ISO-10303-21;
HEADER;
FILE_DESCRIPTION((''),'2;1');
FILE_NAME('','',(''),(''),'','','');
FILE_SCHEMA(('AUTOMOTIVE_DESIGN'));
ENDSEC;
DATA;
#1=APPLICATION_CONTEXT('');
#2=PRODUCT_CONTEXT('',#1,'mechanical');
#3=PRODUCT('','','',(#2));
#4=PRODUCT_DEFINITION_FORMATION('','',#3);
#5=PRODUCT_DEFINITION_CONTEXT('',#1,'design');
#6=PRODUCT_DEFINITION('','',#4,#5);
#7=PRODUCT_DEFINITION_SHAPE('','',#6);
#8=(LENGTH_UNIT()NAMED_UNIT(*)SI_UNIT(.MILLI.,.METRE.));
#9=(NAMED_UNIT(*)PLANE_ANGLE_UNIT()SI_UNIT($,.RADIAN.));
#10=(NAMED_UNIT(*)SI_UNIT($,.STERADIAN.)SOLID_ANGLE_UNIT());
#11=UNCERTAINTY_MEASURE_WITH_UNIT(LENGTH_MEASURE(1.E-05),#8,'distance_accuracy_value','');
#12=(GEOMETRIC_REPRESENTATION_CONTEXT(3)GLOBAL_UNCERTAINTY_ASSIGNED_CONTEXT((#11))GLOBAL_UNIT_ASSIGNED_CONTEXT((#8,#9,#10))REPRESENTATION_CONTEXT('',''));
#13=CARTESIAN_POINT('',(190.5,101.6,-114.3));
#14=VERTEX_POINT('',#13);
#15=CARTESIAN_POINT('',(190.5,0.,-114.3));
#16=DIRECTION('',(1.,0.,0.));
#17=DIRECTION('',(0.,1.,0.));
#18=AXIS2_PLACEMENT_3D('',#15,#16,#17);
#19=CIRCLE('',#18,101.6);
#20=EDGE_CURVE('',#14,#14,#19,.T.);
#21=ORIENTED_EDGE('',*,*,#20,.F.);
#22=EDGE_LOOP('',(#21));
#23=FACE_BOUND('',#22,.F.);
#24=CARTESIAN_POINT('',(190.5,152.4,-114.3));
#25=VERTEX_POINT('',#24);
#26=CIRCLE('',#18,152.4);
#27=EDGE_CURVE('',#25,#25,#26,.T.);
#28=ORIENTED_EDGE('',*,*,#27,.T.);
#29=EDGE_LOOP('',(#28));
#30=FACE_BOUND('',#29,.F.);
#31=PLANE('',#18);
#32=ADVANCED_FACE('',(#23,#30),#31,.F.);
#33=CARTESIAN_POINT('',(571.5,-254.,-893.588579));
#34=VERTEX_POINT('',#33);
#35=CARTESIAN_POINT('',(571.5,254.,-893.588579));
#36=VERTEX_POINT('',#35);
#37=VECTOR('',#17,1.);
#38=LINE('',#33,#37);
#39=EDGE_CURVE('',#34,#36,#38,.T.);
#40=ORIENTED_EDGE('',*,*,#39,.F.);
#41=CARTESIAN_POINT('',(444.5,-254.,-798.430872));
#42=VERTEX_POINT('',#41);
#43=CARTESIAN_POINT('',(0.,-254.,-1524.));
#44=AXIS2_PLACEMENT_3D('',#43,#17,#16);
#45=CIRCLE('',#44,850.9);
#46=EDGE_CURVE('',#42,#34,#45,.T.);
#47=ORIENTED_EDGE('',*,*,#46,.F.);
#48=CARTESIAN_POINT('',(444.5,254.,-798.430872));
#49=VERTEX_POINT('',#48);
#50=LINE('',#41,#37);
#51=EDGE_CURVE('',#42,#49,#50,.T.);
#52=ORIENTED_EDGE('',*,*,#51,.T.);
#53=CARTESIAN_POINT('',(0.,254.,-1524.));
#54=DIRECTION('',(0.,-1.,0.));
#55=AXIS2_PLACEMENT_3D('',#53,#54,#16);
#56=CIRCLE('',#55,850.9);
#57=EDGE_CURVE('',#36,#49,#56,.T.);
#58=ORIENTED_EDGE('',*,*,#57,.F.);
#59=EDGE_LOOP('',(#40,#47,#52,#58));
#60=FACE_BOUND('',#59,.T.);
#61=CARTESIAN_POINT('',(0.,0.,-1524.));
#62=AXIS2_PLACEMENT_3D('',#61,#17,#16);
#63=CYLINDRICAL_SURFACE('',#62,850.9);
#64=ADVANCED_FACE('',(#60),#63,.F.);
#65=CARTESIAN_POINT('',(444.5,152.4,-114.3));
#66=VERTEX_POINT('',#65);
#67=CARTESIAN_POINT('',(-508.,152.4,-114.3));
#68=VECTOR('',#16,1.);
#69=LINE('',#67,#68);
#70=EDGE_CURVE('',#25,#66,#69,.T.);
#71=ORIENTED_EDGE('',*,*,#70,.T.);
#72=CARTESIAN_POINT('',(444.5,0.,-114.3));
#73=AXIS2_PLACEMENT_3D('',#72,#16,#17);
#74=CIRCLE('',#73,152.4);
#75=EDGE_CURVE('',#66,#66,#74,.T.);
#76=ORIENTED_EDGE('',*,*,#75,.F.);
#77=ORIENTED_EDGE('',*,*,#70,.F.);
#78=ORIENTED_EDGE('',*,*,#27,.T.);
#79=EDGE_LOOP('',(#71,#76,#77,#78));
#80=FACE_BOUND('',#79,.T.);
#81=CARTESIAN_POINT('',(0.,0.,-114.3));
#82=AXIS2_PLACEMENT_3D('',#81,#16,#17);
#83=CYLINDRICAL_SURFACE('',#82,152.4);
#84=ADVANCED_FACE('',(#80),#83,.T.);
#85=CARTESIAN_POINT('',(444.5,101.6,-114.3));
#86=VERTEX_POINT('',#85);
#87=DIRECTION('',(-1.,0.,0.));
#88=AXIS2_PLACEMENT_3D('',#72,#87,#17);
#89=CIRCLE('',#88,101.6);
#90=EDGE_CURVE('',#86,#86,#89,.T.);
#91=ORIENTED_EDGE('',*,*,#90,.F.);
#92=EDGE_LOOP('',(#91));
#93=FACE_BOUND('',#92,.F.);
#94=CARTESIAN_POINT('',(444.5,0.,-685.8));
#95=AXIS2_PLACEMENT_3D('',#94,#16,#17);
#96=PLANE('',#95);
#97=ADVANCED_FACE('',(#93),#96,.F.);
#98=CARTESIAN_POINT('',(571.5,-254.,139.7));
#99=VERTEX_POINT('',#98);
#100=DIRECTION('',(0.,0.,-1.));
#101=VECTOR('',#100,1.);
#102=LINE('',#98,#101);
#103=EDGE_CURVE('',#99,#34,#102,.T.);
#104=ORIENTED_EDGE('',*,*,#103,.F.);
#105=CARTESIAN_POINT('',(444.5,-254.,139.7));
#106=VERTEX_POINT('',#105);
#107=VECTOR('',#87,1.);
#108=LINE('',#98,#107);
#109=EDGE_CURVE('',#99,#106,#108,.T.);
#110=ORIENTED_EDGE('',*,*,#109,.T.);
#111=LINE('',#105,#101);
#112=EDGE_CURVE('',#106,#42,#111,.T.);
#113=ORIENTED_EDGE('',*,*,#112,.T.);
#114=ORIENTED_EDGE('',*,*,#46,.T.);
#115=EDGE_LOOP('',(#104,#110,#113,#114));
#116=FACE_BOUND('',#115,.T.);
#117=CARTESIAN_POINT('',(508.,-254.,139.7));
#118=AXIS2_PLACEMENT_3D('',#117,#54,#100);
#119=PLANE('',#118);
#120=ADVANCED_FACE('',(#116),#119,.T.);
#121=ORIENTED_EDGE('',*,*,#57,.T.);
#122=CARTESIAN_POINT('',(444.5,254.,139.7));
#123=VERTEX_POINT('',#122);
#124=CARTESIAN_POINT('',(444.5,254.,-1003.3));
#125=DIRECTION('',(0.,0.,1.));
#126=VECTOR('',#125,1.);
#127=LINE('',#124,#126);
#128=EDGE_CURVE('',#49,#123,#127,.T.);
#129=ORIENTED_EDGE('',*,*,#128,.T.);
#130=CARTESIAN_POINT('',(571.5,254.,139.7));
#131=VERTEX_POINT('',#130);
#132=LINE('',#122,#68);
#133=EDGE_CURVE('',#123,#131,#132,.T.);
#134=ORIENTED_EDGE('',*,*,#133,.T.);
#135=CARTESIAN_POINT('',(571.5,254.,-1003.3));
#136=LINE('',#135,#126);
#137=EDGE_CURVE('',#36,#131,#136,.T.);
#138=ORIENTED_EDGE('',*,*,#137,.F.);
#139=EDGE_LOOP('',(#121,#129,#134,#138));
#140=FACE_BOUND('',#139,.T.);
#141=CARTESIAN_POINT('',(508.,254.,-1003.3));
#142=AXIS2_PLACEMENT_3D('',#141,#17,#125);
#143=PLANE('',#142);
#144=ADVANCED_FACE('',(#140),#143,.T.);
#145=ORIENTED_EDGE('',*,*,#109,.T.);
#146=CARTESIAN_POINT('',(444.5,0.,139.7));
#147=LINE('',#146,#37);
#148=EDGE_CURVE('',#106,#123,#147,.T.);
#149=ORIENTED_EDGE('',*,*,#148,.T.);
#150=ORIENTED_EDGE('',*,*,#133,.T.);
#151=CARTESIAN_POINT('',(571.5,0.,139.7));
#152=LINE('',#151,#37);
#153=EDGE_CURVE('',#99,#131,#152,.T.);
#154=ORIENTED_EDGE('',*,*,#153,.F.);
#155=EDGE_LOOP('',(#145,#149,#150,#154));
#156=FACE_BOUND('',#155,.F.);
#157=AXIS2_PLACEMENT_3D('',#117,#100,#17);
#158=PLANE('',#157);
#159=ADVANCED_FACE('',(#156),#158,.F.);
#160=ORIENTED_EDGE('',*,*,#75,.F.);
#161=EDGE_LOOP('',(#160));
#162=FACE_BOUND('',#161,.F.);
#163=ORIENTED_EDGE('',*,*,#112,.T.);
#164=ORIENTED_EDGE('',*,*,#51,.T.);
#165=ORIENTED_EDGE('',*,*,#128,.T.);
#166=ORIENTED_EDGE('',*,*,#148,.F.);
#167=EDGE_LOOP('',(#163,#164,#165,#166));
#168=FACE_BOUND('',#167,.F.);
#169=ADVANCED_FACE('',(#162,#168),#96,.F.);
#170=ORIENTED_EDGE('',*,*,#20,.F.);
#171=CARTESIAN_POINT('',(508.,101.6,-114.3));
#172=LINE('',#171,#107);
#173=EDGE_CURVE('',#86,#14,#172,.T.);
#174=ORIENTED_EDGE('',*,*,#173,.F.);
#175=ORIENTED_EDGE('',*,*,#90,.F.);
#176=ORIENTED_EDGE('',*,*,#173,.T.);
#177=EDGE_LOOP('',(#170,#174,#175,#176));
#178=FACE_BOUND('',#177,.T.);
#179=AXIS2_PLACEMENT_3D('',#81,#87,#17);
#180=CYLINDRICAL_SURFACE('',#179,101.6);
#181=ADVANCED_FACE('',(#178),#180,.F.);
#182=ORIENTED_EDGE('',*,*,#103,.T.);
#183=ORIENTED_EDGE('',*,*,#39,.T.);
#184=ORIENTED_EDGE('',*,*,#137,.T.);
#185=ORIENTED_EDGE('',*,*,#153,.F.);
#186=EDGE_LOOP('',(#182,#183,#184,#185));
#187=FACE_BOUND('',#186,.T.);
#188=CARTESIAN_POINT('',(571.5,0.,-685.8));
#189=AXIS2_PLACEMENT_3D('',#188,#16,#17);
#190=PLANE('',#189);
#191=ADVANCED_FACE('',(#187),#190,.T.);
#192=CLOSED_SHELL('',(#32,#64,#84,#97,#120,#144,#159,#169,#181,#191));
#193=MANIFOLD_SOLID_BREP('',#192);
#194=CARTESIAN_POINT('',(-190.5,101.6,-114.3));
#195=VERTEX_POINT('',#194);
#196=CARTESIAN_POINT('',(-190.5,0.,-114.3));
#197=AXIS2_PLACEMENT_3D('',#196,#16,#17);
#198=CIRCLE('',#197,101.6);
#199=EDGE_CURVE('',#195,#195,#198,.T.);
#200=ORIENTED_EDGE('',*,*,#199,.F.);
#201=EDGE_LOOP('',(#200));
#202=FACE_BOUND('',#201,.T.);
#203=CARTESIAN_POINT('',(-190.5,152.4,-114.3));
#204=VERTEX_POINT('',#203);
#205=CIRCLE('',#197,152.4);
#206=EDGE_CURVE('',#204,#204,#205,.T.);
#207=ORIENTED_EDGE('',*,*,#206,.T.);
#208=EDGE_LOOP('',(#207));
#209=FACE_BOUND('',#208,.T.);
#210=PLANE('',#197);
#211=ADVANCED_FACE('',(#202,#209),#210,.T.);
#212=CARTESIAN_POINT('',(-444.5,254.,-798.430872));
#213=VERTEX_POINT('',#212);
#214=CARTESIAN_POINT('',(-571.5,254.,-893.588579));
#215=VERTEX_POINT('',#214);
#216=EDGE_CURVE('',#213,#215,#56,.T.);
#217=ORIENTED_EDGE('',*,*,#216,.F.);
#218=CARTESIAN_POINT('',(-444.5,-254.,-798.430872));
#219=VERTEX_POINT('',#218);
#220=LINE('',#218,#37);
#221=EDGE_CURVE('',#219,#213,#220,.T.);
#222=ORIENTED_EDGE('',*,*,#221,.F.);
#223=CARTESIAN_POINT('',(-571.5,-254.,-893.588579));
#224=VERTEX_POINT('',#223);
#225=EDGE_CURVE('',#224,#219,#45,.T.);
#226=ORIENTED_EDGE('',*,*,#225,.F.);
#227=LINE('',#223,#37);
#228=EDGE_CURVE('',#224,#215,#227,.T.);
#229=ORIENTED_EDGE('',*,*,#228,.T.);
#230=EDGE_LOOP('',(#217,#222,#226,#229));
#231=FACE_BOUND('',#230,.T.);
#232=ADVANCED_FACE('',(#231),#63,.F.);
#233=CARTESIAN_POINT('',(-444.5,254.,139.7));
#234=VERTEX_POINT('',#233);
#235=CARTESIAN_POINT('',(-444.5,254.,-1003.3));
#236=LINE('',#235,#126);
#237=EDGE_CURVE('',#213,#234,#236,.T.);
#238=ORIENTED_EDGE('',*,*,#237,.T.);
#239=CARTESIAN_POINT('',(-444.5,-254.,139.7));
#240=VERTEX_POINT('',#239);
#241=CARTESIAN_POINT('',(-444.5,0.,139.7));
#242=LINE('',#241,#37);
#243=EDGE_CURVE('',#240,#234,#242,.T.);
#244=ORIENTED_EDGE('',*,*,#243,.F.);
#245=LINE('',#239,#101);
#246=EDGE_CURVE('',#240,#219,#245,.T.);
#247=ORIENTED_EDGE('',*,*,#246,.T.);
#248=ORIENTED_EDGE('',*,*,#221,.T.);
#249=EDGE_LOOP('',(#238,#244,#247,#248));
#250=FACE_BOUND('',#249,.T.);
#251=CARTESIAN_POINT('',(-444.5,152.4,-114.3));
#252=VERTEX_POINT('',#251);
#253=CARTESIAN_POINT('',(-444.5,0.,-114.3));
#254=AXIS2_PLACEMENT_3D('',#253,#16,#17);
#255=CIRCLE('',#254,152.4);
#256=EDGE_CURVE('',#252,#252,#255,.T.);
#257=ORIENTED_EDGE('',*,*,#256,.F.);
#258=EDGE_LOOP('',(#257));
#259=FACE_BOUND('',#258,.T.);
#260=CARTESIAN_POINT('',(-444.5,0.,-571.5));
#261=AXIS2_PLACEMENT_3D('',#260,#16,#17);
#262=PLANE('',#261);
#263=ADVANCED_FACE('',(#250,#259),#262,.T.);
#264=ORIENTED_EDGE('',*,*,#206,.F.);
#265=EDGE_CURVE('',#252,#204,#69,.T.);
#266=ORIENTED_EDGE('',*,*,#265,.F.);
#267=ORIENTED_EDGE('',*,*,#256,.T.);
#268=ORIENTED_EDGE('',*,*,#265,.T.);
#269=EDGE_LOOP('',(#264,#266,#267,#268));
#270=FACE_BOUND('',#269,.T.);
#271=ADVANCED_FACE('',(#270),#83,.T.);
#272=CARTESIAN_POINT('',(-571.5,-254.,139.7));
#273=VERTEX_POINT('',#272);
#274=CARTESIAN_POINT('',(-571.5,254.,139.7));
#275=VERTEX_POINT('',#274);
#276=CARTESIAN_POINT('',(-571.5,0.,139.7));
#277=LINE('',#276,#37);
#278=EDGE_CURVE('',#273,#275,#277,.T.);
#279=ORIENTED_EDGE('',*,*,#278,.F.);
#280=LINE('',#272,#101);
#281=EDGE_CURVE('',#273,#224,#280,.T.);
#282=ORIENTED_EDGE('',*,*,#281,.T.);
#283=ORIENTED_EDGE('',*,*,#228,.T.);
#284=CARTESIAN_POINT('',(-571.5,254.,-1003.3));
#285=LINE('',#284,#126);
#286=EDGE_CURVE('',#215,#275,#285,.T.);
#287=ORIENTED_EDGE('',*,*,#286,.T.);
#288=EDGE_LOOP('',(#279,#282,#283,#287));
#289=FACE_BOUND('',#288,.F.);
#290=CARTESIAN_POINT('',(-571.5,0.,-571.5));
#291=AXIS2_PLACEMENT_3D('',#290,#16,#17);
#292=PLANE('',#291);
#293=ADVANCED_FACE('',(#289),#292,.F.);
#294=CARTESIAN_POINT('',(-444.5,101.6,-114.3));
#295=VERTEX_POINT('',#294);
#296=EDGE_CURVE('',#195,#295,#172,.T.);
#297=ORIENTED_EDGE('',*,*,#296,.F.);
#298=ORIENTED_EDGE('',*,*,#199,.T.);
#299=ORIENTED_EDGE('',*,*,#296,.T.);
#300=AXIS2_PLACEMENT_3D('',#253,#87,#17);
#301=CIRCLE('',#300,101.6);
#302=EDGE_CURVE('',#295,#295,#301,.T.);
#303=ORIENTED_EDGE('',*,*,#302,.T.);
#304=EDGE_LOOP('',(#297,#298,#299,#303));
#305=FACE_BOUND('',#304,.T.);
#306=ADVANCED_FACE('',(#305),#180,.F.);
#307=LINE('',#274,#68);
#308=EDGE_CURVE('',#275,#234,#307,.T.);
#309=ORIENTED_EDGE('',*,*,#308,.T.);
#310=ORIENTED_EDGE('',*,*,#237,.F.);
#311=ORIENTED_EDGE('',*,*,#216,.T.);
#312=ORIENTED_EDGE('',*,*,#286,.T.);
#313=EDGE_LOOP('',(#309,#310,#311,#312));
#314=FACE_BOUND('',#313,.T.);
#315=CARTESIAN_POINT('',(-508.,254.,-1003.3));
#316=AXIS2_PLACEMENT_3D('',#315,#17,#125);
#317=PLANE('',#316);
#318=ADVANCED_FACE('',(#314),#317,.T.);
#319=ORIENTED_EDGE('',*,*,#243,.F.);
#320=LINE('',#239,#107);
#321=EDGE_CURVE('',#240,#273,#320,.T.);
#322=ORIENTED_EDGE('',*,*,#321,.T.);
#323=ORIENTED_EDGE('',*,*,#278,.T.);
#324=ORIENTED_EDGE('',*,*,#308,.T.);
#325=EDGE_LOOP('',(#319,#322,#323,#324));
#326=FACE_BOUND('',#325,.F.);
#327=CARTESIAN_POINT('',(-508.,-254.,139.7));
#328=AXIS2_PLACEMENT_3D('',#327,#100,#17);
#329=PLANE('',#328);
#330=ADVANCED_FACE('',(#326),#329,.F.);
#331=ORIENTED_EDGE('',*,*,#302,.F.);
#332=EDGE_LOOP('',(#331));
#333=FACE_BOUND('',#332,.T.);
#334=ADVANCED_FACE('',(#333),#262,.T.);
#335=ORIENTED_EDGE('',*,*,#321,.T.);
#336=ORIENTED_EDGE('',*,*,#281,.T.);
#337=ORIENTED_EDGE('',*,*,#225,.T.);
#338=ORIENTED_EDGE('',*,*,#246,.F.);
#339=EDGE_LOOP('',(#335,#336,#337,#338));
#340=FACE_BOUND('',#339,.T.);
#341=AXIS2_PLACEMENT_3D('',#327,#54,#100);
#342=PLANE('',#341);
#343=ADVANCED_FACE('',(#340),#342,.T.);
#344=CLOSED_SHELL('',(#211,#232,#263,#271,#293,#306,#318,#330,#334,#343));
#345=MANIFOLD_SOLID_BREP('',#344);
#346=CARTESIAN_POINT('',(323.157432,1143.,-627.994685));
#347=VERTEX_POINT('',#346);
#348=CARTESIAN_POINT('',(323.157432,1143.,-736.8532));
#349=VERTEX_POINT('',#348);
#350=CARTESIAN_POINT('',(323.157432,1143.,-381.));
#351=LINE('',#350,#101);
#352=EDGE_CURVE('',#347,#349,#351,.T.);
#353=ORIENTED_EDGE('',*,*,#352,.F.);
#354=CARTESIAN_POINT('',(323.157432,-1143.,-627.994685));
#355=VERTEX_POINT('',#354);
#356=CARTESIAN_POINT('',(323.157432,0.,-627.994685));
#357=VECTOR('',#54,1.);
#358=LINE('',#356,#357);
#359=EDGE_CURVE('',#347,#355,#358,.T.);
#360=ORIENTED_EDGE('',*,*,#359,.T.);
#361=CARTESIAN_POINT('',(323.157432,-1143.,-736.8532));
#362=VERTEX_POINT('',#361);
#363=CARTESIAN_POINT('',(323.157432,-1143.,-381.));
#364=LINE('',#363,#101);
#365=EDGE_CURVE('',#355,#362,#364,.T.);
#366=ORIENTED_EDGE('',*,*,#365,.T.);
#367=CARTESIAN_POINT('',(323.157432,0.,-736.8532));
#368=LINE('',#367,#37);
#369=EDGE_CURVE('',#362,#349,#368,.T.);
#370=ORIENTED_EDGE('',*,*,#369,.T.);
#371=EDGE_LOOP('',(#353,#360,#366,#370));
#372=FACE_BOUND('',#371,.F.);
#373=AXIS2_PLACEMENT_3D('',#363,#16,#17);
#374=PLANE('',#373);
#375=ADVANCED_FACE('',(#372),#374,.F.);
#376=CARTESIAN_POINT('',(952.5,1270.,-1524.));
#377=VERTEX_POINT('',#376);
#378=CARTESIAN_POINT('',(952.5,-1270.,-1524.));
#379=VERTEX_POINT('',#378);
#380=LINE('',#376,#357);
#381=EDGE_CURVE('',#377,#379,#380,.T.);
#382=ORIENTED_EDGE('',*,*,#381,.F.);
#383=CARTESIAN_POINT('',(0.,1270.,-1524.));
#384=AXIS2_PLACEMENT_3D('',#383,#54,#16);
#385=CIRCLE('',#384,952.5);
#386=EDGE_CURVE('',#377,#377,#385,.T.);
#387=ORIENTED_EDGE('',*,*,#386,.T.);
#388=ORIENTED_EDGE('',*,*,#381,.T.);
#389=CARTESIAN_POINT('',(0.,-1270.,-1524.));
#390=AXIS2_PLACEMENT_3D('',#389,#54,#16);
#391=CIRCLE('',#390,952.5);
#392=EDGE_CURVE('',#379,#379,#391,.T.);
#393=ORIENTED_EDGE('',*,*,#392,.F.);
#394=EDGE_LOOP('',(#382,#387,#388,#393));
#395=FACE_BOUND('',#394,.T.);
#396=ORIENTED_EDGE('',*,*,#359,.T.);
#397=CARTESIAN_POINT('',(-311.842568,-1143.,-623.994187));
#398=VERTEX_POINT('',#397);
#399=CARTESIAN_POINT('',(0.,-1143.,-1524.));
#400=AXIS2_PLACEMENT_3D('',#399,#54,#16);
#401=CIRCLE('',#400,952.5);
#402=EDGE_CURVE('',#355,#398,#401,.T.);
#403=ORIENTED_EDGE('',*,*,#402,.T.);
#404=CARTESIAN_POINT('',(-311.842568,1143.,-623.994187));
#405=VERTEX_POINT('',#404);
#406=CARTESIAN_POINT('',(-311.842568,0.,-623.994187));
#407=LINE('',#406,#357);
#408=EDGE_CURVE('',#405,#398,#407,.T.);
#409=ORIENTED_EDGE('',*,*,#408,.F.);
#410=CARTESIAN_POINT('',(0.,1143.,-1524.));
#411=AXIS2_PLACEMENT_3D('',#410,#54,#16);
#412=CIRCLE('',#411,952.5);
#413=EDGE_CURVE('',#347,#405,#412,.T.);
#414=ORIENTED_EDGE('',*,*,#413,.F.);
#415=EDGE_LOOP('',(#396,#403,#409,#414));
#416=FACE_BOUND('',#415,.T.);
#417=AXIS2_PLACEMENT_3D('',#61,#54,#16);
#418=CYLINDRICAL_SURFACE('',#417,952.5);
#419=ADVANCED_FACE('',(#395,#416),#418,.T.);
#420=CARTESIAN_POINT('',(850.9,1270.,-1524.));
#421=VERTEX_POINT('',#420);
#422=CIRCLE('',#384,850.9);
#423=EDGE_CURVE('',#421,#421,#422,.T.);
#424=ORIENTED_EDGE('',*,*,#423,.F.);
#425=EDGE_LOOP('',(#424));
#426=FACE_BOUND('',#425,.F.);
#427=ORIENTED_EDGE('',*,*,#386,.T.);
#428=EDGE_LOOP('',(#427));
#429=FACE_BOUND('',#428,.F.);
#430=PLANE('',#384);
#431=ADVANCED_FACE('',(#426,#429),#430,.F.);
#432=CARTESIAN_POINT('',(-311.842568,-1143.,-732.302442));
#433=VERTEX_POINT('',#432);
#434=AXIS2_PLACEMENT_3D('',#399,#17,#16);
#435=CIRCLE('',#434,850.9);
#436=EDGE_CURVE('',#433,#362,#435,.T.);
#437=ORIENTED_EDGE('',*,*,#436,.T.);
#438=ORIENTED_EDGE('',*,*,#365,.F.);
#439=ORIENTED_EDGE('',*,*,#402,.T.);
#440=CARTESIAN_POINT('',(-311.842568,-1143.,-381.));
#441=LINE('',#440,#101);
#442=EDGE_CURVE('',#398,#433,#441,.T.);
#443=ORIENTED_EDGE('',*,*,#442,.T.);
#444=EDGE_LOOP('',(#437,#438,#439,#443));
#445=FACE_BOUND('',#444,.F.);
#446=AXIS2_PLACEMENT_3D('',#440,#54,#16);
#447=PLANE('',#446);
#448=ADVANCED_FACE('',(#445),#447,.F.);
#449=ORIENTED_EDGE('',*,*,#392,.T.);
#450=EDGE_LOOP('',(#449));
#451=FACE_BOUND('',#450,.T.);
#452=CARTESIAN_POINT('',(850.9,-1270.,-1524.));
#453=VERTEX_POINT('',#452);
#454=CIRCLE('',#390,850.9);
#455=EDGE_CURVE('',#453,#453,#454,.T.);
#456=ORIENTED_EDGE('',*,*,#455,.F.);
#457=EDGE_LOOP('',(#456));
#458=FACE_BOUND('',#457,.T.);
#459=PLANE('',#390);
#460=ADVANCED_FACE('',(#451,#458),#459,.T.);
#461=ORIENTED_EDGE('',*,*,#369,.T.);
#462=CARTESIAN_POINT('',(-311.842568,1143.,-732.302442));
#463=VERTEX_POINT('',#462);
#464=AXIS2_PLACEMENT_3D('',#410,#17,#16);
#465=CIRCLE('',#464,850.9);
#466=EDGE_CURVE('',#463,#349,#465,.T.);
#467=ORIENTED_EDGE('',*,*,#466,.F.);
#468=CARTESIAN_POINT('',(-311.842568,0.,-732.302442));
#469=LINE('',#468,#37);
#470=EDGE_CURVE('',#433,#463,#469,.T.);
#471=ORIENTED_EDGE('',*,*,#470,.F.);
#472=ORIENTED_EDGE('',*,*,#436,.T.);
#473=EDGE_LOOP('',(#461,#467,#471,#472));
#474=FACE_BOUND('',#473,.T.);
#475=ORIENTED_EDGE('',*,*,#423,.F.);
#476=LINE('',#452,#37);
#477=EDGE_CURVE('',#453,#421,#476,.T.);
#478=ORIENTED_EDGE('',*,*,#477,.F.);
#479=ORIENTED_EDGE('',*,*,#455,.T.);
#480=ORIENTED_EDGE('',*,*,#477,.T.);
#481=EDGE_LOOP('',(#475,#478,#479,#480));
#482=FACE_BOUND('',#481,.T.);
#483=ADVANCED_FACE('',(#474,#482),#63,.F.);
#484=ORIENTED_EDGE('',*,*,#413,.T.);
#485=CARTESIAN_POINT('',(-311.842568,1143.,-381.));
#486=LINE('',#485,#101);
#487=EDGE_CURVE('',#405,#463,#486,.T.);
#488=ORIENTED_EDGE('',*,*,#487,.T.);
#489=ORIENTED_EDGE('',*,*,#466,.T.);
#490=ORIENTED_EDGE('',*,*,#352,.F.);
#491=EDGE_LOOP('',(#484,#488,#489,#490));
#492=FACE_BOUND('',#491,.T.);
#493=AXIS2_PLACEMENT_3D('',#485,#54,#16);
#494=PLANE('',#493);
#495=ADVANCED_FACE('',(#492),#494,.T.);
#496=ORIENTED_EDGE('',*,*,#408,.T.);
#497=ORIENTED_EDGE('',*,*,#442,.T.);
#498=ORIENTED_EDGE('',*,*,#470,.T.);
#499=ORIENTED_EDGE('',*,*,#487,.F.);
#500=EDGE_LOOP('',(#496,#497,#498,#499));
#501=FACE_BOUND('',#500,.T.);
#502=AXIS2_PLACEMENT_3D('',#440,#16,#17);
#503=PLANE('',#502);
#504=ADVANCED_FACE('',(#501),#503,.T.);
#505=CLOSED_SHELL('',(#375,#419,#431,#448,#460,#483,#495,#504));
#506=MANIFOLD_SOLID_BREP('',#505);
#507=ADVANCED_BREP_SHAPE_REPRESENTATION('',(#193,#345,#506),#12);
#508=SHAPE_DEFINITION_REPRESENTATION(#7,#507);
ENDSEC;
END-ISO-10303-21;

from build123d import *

# Parameters (mm, degrees)
F0_R      = 152.4
F0_R_2    = 101.6
F1_DEPTH  = 508
F2_DEPTH  = 190.5
F4_W      = 508
F4_H      = 635
F4_H_2    = 508
F6_DEPTH  = 63.5
F8_W      = 508
F8_H      = 863.6
F8_H_2    = 279.4
F9_DEPTH  = 63.5
F5_R      = 952.5
F5_R_2    = 850.9
F10_DEPTH = 1270
F11_DEPTH = 1270.001
F12_DEPTH = 1270.001
F14_W     = 635
F14_H     = 2286
F15_DEPTH = 508


with BuildPart() as f1:
    # F0 (on Right) → F1 (new body, symmetric)
    with BuildSketch(Plane.YZ):
        with Locations((0, -114.3)):
            Circle(F0_R)
        with Locations((0, -114.3)):
            Circle(F0_R_2, mode=Mode.SUBTRACT)
    extrude(amount=F1_DEPTH, both=True)

    # F0 (on Right) → F2 (cut, symmetric)
    with BuildSketch(Plane.YZ):
        with Locations((0, -114.3)):
            Circle(F0_R)
        with Locations((0, -114.3)):
            Circle(F0_R_2, mode=Mode.SUBTRACT)
    extrude(amount=F2_DEPTH, both=True, mode=Mode.SUBTRACT)

    # F4 (on offset) → F6 (join, symmetric)
    with BuildSketch(Plane.YZ.offset(508)):
        with Locations((0, -685.8)):
            Rectangle(F4_W, F4_H)
        with Locations((0, -114.3)):
            Rectangle(F4_W, F4_H_2)
    extrude(amount=F6_DEPTH, both=True)

    # F8 (on offset) → F9 (join, symmetric)
    with BuildSketch(Plane.YZ.offset(-508)):
        with Locations((0, -571.5)):
            Rectangle(F8_W, F8_H)
        Rectangle(F8_W, F8_H_2)
    extrude(amount=F9_DEPTH, both=True)

    # F5 (on Front) → F11 (cut, through all)
    with BuildSketch(Plane.XZ):
        with Locations((0, -1524)):
            Circle(F5_R_2)
    extrude(amount=-F11_DEPTH, mode=Mode.SUBTRACT)

    # F5 (on Front) → F12 (cut, through all)
    with BuildSketch(Plane.XZ):
        with Locations((0, -1524)):
            Circle(F5_R_2)
    extrude(amount=F12_DEPTH, mode=Mode.SUBTRACT)


with BuildPart() as f10:
    # F5 (on Front) → F10 (new body, symmetric)
    with BuildSketch(Plane.XZ):
        with Locations((0, -1524)):
            Circle(F5_R)
        with Locations((0, -1524)):
            Circle(F5_R_2, mode=Mode.SUBTRACT)
    extrude(amount=F10_DEPTH, both=True)

    # F14 (on offset) → F15 (cut)
    with BuildSketch(Plane.XY.offset(-381)):
        with Locations((5.657432, 0)):
            Rectangle(F14_W, F14_H)
    extrude(amount=-F15_DEPTH, mode=Mode.SUBTRACT)


solid = Compound([f1.part, f10.part])
